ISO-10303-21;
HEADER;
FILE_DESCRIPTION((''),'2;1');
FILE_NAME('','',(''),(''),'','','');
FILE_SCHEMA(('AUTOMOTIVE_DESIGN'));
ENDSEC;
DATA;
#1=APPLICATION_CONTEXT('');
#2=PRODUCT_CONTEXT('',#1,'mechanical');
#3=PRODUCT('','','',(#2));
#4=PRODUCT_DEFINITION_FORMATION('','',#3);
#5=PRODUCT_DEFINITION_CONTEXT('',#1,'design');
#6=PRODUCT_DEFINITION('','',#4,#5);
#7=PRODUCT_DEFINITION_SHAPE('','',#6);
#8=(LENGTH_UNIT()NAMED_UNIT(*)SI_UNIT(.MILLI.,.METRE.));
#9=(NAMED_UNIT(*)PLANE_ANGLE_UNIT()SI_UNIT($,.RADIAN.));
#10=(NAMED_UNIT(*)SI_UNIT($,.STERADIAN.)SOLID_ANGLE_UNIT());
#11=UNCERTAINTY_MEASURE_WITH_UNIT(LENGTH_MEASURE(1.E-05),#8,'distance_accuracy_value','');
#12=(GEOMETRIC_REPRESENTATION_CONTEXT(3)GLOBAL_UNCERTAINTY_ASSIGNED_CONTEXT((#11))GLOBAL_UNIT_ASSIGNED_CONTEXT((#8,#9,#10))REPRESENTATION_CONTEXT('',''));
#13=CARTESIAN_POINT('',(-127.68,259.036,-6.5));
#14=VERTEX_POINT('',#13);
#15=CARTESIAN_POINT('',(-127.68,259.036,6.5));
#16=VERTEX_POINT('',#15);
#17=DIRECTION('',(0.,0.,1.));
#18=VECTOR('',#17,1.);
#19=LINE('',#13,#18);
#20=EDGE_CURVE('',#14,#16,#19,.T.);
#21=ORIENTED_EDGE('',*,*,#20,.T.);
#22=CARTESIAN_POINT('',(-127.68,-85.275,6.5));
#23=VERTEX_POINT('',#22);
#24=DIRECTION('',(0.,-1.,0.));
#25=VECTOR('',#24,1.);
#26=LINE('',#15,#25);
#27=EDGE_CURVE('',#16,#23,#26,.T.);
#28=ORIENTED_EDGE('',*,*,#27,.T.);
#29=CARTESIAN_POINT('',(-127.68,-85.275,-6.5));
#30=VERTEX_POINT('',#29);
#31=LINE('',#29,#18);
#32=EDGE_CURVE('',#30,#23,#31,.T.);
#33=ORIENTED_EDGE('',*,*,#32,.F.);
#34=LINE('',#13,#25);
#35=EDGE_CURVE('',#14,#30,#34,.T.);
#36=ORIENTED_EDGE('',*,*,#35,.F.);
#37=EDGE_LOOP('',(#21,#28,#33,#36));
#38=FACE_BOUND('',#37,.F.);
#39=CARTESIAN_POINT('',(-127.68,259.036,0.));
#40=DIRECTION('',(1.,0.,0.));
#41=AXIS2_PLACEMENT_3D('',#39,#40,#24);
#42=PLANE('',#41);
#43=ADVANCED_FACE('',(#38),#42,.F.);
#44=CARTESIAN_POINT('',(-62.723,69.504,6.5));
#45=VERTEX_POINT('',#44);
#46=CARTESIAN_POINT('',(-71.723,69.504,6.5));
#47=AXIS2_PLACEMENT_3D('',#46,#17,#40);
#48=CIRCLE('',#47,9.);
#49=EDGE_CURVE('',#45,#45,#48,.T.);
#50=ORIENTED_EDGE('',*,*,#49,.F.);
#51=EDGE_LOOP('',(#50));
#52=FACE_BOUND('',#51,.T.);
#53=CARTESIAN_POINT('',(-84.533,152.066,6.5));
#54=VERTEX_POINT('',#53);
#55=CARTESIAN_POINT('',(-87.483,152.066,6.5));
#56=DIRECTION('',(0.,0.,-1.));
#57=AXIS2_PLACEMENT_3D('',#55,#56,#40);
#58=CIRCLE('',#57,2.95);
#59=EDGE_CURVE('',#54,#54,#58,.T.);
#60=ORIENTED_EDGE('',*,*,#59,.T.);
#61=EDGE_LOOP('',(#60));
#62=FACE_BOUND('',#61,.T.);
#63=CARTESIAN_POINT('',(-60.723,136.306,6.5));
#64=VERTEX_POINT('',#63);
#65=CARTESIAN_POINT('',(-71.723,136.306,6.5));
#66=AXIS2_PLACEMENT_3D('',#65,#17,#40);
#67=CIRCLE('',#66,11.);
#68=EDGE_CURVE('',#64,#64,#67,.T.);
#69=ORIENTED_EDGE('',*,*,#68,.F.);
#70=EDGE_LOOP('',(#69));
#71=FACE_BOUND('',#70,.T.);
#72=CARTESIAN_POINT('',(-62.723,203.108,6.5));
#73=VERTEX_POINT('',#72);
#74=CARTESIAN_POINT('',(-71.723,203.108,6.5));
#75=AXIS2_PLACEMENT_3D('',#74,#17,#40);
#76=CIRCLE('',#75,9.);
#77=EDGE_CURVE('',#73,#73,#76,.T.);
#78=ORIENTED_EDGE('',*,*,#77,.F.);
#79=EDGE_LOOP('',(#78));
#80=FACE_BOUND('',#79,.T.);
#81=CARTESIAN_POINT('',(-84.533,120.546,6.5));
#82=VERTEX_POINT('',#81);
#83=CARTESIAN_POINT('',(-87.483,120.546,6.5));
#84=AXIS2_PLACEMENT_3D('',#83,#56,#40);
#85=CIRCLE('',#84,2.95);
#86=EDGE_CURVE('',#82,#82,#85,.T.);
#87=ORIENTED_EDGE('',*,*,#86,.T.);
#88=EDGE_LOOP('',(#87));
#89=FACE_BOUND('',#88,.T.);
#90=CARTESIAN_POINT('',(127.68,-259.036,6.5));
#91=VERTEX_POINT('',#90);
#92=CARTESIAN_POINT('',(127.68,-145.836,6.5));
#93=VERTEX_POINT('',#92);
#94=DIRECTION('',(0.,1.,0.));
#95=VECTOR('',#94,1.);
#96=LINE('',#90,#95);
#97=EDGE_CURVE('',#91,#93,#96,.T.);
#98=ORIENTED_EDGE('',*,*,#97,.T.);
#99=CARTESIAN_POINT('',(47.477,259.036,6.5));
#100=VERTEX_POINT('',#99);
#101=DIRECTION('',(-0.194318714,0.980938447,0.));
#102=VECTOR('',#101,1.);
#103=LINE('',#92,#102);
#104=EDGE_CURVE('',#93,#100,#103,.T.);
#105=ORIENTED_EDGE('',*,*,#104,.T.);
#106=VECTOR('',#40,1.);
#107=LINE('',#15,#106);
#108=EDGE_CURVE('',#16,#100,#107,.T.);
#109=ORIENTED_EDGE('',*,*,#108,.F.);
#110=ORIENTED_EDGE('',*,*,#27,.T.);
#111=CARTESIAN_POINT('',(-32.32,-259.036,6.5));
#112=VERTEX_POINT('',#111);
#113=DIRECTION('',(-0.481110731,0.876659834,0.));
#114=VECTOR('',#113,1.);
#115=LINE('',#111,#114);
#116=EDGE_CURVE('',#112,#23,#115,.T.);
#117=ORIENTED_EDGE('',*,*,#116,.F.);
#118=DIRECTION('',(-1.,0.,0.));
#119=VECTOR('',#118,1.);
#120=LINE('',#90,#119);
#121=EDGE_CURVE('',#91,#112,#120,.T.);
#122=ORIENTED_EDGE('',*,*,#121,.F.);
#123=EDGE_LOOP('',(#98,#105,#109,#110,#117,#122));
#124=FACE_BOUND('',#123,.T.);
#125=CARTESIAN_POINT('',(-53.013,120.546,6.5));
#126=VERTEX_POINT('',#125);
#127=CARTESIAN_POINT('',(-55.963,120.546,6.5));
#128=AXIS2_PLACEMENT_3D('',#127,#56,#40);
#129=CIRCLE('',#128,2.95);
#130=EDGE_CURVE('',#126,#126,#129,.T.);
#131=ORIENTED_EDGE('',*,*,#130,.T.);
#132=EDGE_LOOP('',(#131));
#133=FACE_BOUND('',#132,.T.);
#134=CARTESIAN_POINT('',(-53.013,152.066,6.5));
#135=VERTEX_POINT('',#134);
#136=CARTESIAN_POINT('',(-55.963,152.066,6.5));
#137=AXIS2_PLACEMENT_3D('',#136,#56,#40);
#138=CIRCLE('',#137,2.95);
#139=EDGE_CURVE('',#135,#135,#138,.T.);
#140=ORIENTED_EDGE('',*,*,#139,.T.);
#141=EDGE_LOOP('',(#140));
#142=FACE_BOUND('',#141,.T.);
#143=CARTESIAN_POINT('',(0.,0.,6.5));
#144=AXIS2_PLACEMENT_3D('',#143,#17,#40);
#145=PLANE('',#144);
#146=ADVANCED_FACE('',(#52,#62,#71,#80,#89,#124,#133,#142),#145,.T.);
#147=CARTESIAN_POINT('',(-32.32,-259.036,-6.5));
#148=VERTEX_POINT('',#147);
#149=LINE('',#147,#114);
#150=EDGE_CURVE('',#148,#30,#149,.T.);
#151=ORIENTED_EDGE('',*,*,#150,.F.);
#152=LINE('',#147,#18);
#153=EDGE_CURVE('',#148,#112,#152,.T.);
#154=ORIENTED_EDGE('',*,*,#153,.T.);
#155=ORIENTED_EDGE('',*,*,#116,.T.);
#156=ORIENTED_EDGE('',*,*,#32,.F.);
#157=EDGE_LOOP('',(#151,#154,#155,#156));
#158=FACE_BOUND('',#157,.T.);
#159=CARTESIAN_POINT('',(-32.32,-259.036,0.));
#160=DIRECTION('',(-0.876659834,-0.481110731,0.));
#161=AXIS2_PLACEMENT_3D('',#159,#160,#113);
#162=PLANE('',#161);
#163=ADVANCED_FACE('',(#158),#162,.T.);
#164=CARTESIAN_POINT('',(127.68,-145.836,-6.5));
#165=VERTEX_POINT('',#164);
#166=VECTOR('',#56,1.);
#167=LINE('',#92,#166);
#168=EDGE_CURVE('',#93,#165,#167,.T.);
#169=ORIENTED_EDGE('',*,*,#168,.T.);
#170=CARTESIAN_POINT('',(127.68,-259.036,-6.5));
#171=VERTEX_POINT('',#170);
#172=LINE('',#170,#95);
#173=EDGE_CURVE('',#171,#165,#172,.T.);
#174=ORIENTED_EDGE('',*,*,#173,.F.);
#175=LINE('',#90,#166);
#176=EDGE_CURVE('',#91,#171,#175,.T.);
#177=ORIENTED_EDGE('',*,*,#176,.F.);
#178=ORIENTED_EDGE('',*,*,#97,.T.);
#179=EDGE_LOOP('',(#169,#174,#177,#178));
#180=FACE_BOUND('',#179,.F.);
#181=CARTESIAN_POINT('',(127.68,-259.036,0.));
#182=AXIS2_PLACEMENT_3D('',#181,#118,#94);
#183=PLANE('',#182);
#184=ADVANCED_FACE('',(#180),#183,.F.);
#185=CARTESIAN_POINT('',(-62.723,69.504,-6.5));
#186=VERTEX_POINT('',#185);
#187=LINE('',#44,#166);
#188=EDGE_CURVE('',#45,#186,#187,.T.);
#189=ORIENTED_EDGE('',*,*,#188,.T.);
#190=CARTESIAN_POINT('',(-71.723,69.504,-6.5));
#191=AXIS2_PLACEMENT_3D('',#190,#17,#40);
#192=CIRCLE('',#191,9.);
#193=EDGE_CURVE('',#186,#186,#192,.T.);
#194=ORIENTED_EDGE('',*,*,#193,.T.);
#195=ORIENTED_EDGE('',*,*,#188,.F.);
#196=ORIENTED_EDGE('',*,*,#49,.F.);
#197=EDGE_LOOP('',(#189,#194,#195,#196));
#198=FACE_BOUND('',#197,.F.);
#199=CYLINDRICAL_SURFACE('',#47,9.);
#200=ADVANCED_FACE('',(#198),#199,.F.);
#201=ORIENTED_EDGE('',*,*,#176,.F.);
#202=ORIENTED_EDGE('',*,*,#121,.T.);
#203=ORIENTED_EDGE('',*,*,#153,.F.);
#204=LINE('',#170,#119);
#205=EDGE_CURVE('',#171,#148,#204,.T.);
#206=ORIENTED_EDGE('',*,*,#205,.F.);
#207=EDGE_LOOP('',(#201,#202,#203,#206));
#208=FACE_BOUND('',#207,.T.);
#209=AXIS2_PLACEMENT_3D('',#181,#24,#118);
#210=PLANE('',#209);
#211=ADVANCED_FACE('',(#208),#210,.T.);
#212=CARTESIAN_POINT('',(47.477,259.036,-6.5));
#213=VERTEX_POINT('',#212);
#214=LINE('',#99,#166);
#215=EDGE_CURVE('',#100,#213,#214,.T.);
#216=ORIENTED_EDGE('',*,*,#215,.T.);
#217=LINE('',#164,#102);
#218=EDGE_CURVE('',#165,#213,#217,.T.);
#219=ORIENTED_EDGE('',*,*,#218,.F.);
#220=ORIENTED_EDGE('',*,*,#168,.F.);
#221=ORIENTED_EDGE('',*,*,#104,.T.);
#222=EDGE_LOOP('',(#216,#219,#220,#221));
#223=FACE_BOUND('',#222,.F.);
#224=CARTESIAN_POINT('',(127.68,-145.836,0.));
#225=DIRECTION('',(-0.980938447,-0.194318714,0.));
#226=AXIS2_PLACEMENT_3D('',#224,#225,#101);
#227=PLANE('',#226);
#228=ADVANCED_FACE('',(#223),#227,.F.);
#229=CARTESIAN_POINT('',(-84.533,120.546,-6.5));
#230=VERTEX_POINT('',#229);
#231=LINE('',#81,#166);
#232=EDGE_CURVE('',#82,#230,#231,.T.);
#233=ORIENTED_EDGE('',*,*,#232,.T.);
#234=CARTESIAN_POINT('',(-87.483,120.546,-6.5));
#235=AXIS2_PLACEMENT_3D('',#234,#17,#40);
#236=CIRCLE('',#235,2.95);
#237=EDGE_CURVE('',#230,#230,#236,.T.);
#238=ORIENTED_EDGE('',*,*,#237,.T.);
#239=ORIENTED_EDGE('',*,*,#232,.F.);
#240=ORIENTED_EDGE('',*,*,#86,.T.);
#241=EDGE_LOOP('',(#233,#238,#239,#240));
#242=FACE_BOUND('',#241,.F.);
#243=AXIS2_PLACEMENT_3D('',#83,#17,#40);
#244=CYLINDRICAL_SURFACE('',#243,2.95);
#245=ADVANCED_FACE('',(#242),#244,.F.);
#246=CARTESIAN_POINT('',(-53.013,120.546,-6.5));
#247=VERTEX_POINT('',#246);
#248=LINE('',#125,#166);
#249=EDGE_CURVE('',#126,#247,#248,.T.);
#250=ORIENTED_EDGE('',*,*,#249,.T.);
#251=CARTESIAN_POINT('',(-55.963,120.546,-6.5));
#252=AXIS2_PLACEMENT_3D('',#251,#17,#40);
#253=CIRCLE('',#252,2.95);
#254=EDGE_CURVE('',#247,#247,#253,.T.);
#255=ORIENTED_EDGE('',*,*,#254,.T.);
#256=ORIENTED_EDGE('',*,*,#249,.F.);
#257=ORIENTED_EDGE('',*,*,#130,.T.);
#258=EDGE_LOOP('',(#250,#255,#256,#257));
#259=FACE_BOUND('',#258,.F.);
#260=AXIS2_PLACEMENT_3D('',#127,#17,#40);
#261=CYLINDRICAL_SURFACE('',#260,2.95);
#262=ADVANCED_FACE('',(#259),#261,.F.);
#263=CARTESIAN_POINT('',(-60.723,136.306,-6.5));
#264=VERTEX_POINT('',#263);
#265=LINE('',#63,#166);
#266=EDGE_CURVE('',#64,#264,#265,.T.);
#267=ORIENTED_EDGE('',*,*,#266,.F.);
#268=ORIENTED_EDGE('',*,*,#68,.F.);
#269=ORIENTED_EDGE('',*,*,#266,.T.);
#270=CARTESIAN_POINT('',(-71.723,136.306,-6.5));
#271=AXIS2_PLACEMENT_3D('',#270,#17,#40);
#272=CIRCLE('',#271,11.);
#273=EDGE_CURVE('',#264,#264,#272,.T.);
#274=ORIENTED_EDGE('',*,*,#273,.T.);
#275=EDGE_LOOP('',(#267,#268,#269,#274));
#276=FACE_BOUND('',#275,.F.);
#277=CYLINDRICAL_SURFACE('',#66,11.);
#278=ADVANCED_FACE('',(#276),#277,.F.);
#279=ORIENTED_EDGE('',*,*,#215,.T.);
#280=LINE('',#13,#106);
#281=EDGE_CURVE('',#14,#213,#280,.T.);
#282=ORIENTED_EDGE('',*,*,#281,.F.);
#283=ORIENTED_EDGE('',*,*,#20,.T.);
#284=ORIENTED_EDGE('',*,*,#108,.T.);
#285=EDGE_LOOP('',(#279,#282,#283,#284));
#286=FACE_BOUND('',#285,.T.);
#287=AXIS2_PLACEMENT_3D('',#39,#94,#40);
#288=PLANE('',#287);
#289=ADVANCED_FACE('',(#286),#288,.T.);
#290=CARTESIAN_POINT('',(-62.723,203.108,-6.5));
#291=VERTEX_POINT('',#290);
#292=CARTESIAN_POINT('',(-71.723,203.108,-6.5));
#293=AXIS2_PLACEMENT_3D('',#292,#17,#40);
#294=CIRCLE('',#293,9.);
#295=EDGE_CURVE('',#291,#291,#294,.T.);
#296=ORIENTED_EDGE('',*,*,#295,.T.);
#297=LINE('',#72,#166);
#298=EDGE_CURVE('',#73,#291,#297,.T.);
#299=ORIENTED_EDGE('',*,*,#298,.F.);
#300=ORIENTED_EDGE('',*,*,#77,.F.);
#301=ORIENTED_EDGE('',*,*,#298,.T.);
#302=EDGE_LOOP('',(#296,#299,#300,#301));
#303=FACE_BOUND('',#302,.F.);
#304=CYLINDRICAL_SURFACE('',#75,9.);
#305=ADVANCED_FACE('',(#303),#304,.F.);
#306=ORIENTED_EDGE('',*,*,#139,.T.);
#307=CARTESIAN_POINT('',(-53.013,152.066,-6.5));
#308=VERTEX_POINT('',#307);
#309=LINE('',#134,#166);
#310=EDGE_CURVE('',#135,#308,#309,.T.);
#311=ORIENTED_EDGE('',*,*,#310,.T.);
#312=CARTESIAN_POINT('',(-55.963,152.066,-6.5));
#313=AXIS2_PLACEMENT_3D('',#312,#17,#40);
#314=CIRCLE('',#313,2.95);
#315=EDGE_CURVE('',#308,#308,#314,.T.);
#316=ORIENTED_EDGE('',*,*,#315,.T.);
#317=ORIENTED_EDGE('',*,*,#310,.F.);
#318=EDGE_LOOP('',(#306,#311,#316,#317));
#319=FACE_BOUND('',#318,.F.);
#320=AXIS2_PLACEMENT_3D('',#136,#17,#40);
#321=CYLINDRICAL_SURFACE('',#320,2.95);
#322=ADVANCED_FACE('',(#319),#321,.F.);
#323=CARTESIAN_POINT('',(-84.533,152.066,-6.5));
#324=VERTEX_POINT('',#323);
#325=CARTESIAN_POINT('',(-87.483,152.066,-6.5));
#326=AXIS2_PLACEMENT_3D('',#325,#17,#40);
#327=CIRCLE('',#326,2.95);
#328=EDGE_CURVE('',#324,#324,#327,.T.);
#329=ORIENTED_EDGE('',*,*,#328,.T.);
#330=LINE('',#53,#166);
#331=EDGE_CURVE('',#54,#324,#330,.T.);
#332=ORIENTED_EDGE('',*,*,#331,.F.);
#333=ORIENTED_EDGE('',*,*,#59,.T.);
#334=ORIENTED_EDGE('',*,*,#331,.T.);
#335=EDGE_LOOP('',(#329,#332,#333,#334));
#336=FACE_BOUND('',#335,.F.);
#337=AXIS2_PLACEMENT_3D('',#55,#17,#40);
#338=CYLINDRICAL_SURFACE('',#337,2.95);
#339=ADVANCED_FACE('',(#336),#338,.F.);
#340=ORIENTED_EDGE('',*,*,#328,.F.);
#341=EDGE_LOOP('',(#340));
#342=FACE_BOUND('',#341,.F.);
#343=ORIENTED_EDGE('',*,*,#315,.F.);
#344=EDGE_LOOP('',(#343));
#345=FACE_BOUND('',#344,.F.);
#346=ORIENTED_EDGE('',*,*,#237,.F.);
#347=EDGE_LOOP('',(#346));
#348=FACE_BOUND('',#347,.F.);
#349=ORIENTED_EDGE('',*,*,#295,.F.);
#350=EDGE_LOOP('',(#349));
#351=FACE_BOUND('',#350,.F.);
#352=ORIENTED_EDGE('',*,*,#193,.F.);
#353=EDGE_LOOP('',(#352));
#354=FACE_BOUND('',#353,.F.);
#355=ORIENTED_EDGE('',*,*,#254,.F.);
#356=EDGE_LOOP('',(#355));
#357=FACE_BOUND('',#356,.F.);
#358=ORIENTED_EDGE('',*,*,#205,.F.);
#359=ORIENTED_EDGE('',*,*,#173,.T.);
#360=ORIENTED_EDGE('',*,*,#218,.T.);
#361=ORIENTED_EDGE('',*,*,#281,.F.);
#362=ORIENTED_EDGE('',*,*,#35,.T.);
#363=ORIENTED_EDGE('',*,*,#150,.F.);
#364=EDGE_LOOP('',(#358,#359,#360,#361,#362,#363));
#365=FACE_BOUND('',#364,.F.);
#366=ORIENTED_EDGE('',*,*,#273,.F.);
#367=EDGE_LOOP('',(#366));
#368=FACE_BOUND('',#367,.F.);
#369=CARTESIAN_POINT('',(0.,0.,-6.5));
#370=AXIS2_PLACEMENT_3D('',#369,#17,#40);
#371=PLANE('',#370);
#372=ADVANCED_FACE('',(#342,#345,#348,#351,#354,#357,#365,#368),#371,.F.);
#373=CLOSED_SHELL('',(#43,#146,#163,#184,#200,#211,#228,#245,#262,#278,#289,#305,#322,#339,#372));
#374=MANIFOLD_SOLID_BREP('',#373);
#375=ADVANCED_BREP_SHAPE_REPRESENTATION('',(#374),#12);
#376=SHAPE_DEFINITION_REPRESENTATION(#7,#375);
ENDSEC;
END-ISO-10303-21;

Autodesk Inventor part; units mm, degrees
ref_plane "YZ Plane" through (0, 0, 0) normal (1, 0, 0) x (0, 1, 0)
ref_plane "XZ Plane" through (0, 0, 0) normal (0, 1, 0) x (-1, 0, 0)
ref_plane "XY Plane" through (0, 0, 0) normal (0, 0, 1) x (1, 0, 0)
sketch "Sketch1" plane through (0, 0, 0) normal (0, 0, 1) x (1, 0, 0)
  line L0 (-127.68, 259.036) -> (-127.68, -85.275)
  line L1 (-127.68, 259.036) -> (47.477, 259.036)
  line L2 (127.68, -259.036) -> (-32.32, -259.036)
  line L3 (-32.32, -259.036) -> (-127.68, -85.275)
  line L4 (127.68, -259.036) -> (127.68, -145.836)
  line L5 (127.68, -145.836) -> (47.477, 259.036)
  point P0 (0, 0)
  dimension "d6" = 344.311
  dimension "d7" = 175.157
  dimension "d9" = 160
  dimension "d10" = 113.2
extrude "Extrusion1" add sketch "Sketch1" along normal mid plane 13
sketch "Sketch2" plane through (0, 0, 6.5) normal (0, 0, 1) x (1, 0, 0)
  circle A0 centre (-71.723, 203.108) radius 9
  circle A1 centre (-71.723, 69.504) radius 9
  circle A2 centre (-71.723, 136.306) radius 11
  line L0 (-87.483, 152.066) -> (-55.963, 152.066)
  line L1 (-55.963, 152.066) -> (-55.963, 120.546)
  line L2 (-55.963, 120.546) -> (-87.483, 120.546)
  line L3 (-87.483, 120.546) -> (-87.483, 152.066)
  line L4 (-87.483, 152.066) -> (-55.963, 120.546) construction
  line L5 (-55.963, 152.066) -> (-87.483, 120.546) construction
  circle A3 centre (-87.483, 152.066) radius 2.95
  circle A4 centre (-55.963, 152.066) radius 2.95
  circle A5 centre (-55.963, 120.546) radius 2.95
  circle A6 centre (-87.483, 120.546) radius 2.95
  line L6 (47.477, 259.036) -> (-127.68, 259.036) projected
  line L7 (-127.68, 259.036) -> (-127.68, -85.275) projected
  point P0 (0, 0)
  point P1 (-71.723, 136.306)
  dimension "d25" = 22
  dimension "d26" = 66.802
  dimension "d31" = 31.52
  dimension "d32" = 31.52
  dimension "d35" = 5.9
  dimension "d39" = 66.802
  dimension "d40" = 55.928
  dimension "d41" = 55.957
  dimension "d42" = 5.9
extrude "Extrusion3" cut sketch "Sketch2" against normal blind 25.4 contours A0 | A1 | A2 | L3 A3 L0 | L0 A3 L3 | A4 L1 L0 | L0 L1 A4 | A6 L2 L3 | L3 L2 A6 | A5 L2 L1 | L1 L2 A5
equation "\"d32\" = d31"
properties part number "CNC-Y-axis- side plates with stepper"
